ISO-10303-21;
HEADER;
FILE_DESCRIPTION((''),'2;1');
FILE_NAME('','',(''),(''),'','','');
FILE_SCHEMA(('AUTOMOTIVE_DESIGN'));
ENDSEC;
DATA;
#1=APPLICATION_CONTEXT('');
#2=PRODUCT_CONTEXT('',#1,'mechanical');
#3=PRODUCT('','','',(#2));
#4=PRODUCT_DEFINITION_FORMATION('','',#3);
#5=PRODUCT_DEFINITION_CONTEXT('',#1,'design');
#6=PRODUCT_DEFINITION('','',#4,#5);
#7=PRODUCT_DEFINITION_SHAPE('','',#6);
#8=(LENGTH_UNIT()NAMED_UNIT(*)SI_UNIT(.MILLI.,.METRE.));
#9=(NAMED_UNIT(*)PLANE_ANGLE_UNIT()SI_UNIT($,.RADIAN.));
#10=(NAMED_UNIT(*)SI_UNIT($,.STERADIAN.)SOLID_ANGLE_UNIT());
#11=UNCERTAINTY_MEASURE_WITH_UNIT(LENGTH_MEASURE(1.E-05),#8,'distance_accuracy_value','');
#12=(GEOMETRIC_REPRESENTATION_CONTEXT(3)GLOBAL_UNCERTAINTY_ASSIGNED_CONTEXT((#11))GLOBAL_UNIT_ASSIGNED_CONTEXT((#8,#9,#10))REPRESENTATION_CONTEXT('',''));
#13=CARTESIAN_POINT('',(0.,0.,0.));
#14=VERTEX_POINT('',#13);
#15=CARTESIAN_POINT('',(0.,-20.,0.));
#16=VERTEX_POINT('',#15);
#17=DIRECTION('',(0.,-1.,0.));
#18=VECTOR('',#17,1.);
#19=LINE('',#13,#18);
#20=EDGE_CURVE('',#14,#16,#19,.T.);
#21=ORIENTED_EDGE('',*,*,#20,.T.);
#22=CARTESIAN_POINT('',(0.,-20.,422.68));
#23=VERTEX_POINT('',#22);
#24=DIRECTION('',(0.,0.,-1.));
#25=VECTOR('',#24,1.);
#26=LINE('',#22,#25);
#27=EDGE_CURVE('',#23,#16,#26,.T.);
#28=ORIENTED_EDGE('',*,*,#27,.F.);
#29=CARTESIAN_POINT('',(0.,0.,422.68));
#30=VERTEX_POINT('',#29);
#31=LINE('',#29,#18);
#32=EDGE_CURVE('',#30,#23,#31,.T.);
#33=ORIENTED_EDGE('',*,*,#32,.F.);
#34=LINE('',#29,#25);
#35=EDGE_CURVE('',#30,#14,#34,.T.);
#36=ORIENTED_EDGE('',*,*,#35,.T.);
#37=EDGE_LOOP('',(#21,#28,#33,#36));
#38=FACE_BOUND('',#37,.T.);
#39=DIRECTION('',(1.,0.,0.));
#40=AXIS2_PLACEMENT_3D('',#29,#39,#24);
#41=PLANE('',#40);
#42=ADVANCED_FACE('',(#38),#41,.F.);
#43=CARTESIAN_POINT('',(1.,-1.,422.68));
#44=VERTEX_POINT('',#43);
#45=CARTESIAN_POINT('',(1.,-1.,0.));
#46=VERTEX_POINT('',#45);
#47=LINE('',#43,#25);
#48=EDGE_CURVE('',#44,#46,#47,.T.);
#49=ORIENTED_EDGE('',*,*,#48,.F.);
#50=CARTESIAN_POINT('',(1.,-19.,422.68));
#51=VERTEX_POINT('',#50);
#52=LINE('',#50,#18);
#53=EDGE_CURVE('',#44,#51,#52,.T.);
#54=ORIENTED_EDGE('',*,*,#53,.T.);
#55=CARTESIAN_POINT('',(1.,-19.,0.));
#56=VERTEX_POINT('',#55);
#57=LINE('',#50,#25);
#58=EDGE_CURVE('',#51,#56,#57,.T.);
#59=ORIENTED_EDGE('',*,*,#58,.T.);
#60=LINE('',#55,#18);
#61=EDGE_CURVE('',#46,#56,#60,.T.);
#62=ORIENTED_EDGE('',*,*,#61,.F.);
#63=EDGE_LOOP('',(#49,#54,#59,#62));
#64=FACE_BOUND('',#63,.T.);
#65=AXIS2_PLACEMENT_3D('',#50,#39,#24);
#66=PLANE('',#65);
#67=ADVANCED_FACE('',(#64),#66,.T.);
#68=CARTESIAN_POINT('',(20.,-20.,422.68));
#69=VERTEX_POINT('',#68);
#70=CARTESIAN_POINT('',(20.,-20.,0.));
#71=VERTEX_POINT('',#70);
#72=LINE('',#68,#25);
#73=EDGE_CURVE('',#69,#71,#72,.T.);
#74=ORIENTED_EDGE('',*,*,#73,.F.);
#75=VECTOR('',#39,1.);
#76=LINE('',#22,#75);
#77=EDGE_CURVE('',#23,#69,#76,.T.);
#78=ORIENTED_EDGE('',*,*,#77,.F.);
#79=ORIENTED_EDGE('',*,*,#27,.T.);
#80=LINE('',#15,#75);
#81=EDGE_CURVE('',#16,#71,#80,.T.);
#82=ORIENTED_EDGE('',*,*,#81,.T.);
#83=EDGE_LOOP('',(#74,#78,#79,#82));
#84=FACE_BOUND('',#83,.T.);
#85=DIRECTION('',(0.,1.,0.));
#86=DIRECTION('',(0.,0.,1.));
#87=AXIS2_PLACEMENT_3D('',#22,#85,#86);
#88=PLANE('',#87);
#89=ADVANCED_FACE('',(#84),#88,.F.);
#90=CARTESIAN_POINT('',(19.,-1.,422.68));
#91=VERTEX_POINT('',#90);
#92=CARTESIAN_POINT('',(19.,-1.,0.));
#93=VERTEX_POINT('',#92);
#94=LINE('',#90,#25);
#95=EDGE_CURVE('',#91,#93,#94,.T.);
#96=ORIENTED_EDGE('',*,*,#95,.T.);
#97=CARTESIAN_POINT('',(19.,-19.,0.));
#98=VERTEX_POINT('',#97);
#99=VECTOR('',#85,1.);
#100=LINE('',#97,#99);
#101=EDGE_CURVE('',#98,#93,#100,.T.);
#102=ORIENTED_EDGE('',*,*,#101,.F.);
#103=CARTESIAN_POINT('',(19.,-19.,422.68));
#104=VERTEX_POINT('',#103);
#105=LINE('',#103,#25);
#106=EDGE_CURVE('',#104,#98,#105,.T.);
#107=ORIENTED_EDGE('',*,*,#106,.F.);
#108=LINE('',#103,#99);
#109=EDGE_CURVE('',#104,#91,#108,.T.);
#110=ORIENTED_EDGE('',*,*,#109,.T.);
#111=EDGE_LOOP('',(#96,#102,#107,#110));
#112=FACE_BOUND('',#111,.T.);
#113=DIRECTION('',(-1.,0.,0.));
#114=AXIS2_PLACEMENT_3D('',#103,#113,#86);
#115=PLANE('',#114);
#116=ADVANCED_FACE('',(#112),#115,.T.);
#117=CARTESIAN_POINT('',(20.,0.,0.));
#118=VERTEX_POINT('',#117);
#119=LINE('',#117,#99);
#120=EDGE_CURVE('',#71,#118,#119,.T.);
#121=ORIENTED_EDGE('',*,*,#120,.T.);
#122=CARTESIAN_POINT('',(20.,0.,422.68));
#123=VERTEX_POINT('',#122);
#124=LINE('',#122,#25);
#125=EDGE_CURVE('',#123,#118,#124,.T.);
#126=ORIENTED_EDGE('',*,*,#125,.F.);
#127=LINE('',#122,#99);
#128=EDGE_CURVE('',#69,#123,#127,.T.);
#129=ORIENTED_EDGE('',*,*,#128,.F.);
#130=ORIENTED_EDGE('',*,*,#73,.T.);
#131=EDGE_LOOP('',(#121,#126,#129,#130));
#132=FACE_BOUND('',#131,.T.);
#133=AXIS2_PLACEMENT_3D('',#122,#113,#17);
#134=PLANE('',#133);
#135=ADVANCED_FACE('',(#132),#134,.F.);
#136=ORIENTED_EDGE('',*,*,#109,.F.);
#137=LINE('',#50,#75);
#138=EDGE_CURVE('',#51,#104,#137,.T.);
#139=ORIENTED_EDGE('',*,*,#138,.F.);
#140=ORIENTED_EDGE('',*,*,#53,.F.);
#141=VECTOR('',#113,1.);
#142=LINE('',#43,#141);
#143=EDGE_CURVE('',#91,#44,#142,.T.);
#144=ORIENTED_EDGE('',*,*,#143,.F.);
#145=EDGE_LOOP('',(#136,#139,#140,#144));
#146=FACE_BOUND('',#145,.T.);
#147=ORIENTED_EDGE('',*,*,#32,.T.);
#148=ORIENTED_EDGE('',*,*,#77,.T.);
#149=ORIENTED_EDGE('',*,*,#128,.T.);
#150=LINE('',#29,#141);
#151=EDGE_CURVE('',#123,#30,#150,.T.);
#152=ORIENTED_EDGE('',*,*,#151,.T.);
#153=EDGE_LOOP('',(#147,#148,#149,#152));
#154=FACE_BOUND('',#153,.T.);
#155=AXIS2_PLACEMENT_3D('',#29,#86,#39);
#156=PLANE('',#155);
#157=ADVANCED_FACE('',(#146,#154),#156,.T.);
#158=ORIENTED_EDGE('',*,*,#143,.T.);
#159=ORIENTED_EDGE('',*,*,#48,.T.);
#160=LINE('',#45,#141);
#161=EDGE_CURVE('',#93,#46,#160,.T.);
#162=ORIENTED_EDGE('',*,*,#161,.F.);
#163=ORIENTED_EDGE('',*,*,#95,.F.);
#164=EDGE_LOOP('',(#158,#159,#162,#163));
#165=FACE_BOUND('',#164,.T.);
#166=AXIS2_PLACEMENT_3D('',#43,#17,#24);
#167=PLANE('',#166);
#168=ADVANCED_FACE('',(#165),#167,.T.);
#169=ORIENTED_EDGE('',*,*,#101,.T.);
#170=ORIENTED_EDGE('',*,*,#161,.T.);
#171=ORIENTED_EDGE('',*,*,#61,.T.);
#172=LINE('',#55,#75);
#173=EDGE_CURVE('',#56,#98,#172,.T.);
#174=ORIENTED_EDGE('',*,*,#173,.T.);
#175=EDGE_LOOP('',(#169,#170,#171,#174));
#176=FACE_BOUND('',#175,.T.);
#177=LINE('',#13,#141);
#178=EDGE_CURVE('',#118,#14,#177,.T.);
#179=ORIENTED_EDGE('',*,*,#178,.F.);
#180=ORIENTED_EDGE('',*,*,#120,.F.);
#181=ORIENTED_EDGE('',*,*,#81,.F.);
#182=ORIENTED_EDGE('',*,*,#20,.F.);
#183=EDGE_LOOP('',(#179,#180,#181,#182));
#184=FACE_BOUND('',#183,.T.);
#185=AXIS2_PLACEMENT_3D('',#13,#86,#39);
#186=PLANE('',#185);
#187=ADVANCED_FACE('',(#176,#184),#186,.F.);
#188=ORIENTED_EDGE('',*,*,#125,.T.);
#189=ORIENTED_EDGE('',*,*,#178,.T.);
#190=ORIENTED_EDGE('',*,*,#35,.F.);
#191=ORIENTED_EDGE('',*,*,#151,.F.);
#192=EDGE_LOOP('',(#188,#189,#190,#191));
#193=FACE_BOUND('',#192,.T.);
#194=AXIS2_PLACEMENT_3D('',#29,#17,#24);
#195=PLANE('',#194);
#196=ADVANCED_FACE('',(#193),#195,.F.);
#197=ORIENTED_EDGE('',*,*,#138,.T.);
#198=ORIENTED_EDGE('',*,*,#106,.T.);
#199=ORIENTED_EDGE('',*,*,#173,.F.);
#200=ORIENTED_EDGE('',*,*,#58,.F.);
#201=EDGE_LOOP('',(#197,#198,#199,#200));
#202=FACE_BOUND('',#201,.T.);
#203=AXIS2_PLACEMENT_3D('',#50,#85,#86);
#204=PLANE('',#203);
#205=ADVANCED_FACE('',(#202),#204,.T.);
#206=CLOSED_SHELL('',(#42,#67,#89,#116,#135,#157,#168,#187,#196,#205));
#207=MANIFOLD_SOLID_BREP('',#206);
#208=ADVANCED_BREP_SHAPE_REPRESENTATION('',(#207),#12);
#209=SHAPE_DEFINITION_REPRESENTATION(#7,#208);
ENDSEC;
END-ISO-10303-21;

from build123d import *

# Parameters (mm, degrees)
SKETCH1_W           = 20
SKETCH1_H           = 20
SKETCH1_W_2         = 18
SKETCH1_H_2         = 18
BOSS_EXTRUDE1_DEPTH = 422.68


with BuildPart() as part:
    # Sketch1 → Boss-Extrude1 (new body)
    with BuildSketch(Plane.XY):
        with Locations((10, -10)):
            Rectangle(SKETCH1_W, SKETCH1_H)
        with Locations((10, -10)):
            Rectangle(SKETCH1_W_2, SKETCH1_H_2, mode=Mode.SUBTRACT)
    extrude(amount=BOSS_EXTRUDE1_DEPTH)


solid = part.part
